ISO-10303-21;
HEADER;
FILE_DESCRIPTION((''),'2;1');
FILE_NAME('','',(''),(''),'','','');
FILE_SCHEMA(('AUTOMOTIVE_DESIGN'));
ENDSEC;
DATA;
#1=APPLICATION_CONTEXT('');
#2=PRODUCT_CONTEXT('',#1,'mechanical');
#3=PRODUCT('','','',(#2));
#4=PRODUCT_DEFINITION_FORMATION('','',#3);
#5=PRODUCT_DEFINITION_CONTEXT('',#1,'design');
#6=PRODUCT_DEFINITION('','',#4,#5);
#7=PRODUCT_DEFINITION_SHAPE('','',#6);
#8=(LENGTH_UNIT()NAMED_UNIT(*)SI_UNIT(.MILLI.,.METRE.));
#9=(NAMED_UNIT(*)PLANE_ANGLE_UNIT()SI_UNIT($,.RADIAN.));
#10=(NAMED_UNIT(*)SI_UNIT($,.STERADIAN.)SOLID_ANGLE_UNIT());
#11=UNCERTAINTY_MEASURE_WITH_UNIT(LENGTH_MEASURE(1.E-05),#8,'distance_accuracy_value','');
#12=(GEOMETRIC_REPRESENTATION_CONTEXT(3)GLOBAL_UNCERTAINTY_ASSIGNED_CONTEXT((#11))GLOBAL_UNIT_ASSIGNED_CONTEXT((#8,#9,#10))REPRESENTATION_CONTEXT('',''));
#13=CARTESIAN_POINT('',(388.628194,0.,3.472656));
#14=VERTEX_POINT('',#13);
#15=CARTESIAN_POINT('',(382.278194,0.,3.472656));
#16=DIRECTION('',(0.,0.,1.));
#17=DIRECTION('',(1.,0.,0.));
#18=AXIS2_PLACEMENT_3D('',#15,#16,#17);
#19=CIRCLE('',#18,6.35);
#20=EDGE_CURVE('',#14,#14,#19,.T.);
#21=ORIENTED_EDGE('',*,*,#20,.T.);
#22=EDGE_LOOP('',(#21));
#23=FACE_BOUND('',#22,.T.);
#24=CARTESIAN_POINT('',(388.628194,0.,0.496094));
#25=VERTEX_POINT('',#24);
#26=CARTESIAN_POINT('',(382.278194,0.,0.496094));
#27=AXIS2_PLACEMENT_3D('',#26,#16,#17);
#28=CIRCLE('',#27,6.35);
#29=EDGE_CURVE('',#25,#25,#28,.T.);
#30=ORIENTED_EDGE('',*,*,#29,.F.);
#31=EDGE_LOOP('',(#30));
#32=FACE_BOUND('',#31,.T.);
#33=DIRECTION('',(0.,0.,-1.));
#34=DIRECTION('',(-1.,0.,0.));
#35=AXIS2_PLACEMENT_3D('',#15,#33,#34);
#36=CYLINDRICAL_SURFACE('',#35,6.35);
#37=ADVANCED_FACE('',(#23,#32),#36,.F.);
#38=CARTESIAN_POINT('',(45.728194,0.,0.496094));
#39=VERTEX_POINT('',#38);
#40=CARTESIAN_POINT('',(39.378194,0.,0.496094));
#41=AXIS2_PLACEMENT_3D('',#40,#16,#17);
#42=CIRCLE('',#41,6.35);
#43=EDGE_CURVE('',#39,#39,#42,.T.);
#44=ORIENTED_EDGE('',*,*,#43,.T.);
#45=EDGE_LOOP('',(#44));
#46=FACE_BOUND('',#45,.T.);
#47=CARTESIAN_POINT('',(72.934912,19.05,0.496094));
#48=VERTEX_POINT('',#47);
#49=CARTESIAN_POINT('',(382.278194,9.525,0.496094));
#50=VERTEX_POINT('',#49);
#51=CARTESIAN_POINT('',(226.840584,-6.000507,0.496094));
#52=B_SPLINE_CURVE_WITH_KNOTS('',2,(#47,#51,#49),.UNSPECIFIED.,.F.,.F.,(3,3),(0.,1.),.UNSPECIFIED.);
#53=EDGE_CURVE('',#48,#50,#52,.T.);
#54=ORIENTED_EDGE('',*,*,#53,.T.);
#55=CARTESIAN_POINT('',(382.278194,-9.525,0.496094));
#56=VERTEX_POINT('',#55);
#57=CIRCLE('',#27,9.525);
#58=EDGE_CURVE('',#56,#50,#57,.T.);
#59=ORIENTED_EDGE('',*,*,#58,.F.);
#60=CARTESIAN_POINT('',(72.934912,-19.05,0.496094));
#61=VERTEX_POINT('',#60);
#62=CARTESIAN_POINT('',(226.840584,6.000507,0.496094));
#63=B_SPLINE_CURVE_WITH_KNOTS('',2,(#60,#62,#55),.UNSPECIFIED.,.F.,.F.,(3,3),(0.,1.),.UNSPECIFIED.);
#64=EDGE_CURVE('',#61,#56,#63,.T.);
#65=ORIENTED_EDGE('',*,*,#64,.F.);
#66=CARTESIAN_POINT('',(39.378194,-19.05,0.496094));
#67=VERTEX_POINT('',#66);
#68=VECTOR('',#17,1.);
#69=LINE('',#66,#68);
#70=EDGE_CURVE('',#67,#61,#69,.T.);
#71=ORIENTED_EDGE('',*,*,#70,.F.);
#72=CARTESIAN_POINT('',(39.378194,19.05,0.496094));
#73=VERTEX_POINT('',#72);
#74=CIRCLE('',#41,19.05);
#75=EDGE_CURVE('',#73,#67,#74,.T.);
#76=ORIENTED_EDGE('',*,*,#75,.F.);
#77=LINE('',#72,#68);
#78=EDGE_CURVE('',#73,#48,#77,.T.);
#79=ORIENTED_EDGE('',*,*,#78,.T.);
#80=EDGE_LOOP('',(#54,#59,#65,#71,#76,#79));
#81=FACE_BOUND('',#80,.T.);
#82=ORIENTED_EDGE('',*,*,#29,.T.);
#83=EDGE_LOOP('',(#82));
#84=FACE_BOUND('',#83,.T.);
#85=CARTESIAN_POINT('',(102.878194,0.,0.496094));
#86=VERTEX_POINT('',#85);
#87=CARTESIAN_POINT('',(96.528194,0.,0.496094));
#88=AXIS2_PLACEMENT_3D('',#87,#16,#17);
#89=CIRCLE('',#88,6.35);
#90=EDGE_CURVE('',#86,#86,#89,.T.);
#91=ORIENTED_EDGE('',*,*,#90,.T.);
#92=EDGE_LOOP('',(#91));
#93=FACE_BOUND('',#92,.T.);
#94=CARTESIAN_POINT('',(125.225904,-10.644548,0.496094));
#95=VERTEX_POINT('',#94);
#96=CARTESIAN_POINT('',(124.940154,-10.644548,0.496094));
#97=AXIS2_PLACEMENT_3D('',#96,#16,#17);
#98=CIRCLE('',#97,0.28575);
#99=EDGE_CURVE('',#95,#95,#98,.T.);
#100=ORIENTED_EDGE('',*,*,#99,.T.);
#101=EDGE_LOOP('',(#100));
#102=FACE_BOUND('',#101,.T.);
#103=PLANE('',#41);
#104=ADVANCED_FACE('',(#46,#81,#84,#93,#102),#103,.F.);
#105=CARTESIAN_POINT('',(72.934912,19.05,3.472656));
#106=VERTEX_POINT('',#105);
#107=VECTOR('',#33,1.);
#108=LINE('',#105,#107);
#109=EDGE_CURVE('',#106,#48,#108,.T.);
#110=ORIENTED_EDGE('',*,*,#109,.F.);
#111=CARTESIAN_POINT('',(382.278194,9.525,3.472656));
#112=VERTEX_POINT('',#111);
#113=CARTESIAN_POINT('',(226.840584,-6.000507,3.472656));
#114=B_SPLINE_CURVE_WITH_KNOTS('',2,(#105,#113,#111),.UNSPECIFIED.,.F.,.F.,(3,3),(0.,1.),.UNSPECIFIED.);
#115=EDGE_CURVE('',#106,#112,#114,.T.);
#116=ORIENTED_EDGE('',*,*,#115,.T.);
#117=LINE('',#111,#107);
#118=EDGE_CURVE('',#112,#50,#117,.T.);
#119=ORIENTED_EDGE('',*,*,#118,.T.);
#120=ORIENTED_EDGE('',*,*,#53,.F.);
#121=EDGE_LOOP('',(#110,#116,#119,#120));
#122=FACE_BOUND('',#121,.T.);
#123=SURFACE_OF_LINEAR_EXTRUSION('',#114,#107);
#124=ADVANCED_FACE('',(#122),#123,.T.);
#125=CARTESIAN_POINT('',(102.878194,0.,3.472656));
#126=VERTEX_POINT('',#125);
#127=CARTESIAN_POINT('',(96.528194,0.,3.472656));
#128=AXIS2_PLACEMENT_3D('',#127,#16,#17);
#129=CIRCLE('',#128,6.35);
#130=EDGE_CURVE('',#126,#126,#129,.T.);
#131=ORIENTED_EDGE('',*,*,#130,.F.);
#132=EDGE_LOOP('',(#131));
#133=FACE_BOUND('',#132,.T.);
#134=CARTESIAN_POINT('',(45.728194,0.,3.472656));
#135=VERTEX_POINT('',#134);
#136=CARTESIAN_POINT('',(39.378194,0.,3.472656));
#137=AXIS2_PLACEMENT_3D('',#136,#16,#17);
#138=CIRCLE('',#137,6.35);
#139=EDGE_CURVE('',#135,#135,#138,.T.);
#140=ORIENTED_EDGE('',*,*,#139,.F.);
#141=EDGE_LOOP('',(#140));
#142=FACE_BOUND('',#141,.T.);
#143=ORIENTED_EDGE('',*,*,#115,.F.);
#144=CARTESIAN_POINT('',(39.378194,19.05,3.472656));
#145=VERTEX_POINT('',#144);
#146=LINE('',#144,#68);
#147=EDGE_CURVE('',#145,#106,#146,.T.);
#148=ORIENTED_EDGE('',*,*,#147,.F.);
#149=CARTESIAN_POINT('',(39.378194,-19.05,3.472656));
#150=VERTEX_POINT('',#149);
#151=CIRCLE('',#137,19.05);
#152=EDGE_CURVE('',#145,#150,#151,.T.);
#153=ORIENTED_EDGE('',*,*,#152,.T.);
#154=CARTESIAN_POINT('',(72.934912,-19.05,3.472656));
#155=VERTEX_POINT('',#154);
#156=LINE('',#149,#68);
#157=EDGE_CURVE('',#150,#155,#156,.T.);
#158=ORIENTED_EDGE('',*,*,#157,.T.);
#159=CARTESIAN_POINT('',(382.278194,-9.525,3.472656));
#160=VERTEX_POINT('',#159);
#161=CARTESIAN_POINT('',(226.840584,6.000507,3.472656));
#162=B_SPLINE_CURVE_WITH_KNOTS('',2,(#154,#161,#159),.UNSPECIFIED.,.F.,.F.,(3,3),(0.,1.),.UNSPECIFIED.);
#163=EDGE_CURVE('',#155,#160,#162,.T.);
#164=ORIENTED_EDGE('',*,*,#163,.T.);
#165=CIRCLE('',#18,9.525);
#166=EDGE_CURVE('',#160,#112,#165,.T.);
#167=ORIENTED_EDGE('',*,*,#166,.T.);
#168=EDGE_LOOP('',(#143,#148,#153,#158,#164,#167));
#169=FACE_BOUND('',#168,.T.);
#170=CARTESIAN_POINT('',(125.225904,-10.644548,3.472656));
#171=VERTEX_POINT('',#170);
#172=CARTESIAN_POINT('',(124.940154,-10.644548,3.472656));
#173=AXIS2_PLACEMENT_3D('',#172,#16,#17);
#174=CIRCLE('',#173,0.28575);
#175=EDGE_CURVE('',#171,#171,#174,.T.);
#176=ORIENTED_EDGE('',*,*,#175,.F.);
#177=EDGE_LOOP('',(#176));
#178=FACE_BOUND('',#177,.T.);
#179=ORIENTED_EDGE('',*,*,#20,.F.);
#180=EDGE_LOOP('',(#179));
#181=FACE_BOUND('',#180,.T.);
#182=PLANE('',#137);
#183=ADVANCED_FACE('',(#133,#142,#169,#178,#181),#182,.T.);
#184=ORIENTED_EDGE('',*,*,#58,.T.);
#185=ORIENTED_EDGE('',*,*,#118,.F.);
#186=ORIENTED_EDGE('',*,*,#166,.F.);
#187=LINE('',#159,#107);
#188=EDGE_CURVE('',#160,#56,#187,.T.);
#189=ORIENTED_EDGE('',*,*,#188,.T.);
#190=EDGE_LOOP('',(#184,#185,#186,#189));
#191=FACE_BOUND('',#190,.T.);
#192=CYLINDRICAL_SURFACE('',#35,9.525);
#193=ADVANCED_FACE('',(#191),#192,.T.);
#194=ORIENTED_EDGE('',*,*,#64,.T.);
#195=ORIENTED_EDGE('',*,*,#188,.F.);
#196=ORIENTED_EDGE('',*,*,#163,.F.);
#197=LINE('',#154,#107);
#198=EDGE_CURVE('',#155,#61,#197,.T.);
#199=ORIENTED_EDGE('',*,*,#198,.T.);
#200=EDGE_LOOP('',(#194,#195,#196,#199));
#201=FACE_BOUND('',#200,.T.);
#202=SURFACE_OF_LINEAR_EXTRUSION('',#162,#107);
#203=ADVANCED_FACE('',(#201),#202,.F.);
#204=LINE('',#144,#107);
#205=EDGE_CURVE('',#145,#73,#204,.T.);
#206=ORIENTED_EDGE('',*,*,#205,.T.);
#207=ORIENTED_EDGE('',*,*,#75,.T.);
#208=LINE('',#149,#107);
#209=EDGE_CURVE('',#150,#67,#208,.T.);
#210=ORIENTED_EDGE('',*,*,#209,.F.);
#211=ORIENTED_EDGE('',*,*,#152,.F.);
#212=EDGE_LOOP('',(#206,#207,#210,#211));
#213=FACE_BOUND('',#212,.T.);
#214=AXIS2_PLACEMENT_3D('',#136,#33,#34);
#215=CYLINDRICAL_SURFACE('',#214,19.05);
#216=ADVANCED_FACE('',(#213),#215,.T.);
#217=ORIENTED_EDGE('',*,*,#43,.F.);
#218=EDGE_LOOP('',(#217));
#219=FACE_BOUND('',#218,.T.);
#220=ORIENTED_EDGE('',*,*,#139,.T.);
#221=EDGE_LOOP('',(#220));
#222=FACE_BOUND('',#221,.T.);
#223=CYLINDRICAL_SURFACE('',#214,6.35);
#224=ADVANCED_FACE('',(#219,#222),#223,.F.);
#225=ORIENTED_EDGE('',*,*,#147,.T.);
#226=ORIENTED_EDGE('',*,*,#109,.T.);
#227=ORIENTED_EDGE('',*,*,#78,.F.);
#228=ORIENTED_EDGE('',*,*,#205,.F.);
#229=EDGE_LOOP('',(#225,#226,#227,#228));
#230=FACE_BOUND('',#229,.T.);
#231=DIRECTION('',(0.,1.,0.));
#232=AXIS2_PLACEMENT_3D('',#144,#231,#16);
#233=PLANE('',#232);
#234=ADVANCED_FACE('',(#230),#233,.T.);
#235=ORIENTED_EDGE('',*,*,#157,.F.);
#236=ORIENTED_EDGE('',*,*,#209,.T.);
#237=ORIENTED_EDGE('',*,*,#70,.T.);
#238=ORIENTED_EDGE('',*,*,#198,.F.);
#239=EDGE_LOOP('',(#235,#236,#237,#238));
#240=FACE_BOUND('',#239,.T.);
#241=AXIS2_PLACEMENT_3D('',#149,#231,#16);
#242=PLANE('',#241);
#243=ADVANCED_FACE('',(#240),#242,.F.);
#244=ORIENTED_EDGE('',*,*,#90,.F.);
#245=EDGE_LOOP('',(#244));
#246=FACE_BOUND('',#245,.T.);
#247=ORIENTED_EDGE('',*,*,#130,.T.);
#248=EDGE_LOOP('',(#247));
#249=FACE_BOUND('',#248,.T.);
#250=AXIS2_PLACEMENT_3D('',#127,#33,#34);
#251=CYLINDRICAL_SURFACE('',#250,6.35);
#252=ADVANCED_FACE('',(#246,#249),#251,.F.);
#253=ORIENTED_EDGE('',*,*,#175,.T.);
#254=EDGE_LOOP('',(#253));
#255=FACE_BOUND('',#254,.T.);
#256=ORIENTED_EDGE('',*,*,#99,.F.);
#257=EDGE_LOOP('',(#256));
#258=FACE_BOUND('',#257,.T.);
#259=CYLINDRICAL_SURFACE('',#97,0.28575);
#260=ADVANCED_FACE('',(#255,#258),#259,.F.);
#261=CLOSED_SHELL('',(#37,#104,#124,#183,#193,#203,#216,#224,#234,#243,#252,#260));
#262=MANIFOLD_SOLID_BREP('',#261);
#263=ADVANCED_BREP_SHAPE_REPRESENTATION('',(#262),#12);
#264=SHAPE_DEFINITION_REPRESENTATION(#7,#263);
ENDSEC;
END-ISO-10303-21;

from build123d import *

# Parameters (mm, degrees)
SKETCH4_R               = 8.466666667
BOSS_EXTRUDE2_DEPTH     = 3.96875
SCALE1_SCALE            = 0.75
CUT_EXTRUDE1_DEPTH      = 393.277306545
CUT_EXTRUDE1_DEPTH_BACK = 393.277306545
SKETCH5_R               = 0.28575


with BuildPart() as part:
    # Sketch4 → Boss-Extrude2 (new body)
    with BuildSketch(Plane.XY):
        with BuildLine():
            Line((0, 25.4), (44.742290553, 25.4))
            add(Edge.make_bspline(
                [(44.742290553, 25.4), (249.949853312, -8.0006761), (457.2, 12.7)],
                knots=[0, 0, 0, 1, 1, 1], degree=2))
            ThreePointArc((457.2, 12.7), (469.9, 0), (457.2, -12.7))
            add(Edge.make_bspline(
                [(44.742290553, -25.4), (249.949853312, 8.0006761), (457.2, -12.7)],
                knots=[0, 0, 0, 1, 1, 1], degree=2))
            Line((44.742290553, -25.4), (0, -25.4))
            ThreePointArc((0, -25.4), (-25.4, 0), (0, 25.4))
        make_face()
        Circle(SKETCH4_R, mode=Mode.SUBTRACT)
        with Locations((76.2, 0)):
            Circle(SKETCH4_R, mode=Mode.SUBTRACT)
        with Locations((457.2, 0)):
            Circle(SKETCH4_R, mode=Mode.SUBTRACT)
    extrude(amount=BOSS_EXTRUDE2_DEPTH)


with BuildPart() as part_1:
    # Scale1: scaled about (157.512673369, 0, 1.984375)
    add(part.part.scale(SCALE1_SCALE).moved(Location((39.378168342, 0, 0.49609375))))

    # Sketch5 → Cut-Extrude1 (cut, two sides: drawn at the far end of the back side and taken through both)
    with BuildSketch(Plane.XY.offset(3.47265625).offset(-CUT_EXTRUDE1_DEPTH_BACK)):
        with Locations((124.940154128, -10.64454761)):
            Circle(SKETCH5_R)
    extrude(amount=CUT_EXTRUDE1_DEPTH + CUT_EXTRUDE1_DEPTH_BACK, mode=Mode.SUBTRACT)


solid = part_1.part
